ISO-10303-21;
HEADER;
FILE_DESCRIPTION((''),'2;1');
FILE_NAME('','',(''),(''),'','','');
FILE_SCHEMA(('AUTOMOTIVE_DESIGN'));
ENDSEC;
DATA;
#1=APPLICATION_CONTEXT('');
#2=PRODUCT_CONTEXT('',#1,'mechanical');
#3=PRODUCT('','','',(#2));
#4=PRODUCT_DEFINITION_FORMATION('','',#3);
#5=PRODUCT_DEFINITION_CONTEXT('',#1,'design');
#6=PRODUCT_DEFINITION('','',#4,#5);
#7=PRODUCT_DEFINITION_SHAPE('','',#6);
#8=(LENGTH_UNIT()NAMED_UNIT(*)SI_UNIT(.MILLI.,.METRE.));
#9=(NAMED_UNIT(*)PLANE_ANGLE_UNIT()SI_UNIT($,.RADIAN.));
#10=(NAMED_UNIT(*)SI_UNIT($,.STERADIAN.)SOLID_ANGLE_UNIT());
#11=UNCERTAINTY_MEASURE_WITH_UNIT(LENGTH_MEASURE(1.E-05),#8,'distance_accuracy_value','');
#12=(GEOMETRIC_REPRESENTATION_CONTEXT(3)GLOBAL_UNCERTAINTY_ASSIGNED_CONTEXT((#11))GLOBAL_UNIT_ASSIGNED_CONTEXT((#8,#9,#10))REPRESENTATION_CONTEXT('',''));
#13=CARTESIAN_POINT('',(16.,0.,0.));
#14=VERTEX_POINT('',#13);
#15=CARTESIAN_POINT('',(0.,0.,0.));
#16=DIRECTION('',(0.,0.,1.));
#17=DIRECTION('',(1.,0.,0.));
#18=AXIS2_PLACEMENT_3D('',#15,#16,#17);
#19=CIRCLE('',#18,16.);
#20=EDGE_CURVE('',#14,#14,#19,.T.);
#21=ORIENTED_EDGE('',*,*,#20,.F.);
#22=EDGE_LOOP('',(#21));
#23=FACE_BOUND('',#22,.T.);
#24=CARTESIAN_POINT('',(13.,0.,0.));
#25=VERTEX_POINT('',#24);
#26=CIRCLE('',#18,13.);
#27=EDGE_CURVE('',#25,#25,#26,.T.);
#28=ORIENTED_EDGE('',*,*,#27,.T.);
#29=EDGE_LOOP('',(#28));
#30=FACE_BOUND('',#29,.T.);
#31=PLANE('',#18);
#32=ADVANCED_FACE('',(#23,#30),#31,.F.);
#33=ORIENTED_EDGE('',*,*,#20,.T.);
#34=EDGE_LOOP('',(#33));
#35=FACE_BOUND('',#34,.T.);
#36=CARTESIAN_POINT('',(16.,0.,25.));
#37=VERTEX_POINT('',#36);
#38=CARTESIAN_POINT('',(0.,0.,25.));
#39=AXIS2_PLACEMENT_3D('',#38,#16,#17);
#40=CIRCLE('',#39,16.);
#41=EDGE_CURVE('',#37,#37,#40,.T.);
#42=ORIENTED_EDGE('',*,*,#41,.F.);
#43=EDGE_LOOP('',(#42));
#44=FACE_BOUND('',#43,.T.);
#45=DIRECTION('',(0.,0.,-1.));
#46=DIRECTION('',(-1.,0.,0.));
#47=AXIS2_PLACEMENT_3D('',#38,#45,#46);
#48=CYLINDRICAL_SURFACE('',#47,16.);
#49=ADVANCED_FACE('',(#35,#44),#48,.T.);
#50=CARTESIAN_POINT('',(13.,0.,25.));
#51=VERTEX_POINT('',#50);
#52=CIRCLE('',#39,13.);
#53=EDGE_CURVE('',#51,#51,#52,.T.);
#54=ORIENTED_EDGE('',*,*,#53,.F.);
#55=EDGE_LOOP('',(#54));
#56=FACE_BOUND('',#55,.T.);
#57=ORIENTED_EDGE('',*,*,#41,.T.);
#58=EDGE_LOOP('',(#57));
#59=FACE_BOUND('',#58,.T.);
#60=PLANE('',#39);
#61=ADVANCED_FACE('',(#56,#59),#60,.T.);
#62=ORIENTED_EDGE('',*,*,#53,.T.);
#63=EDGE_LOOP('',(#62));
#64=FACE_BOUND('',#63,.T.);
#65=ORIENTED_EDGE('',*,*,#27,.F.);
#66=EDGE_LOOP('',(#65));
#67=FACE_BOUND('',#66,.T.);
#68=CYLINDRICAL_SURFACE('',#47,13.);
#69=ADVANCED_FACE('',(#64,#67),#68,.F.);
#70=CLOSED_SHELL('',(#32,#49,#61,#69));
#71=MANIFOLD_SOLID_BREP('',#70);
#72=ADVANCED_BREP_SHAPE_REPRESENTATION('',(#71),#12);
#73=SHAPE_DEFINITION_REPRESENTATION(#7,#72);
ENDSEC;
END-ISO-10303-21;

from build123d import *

# Parameters (mm, degrees)
SKETCH_1_R      = 16
SKETCH_1_R_2    = 13
EXTRUDE_1_DEPTH = 25


with BuildPart() as part:
    # 草图1 → 凸台-拉伸1 (new body)
    with BuildSketch(Plane.XY):
        Circle(SKETCH_1_R)
        Circle(SKETCH_1_R_2, mode=Mode.SUBTRACT)
    extrude(amount=EXTRUDE_1_DEPTH)


solid = part.part
